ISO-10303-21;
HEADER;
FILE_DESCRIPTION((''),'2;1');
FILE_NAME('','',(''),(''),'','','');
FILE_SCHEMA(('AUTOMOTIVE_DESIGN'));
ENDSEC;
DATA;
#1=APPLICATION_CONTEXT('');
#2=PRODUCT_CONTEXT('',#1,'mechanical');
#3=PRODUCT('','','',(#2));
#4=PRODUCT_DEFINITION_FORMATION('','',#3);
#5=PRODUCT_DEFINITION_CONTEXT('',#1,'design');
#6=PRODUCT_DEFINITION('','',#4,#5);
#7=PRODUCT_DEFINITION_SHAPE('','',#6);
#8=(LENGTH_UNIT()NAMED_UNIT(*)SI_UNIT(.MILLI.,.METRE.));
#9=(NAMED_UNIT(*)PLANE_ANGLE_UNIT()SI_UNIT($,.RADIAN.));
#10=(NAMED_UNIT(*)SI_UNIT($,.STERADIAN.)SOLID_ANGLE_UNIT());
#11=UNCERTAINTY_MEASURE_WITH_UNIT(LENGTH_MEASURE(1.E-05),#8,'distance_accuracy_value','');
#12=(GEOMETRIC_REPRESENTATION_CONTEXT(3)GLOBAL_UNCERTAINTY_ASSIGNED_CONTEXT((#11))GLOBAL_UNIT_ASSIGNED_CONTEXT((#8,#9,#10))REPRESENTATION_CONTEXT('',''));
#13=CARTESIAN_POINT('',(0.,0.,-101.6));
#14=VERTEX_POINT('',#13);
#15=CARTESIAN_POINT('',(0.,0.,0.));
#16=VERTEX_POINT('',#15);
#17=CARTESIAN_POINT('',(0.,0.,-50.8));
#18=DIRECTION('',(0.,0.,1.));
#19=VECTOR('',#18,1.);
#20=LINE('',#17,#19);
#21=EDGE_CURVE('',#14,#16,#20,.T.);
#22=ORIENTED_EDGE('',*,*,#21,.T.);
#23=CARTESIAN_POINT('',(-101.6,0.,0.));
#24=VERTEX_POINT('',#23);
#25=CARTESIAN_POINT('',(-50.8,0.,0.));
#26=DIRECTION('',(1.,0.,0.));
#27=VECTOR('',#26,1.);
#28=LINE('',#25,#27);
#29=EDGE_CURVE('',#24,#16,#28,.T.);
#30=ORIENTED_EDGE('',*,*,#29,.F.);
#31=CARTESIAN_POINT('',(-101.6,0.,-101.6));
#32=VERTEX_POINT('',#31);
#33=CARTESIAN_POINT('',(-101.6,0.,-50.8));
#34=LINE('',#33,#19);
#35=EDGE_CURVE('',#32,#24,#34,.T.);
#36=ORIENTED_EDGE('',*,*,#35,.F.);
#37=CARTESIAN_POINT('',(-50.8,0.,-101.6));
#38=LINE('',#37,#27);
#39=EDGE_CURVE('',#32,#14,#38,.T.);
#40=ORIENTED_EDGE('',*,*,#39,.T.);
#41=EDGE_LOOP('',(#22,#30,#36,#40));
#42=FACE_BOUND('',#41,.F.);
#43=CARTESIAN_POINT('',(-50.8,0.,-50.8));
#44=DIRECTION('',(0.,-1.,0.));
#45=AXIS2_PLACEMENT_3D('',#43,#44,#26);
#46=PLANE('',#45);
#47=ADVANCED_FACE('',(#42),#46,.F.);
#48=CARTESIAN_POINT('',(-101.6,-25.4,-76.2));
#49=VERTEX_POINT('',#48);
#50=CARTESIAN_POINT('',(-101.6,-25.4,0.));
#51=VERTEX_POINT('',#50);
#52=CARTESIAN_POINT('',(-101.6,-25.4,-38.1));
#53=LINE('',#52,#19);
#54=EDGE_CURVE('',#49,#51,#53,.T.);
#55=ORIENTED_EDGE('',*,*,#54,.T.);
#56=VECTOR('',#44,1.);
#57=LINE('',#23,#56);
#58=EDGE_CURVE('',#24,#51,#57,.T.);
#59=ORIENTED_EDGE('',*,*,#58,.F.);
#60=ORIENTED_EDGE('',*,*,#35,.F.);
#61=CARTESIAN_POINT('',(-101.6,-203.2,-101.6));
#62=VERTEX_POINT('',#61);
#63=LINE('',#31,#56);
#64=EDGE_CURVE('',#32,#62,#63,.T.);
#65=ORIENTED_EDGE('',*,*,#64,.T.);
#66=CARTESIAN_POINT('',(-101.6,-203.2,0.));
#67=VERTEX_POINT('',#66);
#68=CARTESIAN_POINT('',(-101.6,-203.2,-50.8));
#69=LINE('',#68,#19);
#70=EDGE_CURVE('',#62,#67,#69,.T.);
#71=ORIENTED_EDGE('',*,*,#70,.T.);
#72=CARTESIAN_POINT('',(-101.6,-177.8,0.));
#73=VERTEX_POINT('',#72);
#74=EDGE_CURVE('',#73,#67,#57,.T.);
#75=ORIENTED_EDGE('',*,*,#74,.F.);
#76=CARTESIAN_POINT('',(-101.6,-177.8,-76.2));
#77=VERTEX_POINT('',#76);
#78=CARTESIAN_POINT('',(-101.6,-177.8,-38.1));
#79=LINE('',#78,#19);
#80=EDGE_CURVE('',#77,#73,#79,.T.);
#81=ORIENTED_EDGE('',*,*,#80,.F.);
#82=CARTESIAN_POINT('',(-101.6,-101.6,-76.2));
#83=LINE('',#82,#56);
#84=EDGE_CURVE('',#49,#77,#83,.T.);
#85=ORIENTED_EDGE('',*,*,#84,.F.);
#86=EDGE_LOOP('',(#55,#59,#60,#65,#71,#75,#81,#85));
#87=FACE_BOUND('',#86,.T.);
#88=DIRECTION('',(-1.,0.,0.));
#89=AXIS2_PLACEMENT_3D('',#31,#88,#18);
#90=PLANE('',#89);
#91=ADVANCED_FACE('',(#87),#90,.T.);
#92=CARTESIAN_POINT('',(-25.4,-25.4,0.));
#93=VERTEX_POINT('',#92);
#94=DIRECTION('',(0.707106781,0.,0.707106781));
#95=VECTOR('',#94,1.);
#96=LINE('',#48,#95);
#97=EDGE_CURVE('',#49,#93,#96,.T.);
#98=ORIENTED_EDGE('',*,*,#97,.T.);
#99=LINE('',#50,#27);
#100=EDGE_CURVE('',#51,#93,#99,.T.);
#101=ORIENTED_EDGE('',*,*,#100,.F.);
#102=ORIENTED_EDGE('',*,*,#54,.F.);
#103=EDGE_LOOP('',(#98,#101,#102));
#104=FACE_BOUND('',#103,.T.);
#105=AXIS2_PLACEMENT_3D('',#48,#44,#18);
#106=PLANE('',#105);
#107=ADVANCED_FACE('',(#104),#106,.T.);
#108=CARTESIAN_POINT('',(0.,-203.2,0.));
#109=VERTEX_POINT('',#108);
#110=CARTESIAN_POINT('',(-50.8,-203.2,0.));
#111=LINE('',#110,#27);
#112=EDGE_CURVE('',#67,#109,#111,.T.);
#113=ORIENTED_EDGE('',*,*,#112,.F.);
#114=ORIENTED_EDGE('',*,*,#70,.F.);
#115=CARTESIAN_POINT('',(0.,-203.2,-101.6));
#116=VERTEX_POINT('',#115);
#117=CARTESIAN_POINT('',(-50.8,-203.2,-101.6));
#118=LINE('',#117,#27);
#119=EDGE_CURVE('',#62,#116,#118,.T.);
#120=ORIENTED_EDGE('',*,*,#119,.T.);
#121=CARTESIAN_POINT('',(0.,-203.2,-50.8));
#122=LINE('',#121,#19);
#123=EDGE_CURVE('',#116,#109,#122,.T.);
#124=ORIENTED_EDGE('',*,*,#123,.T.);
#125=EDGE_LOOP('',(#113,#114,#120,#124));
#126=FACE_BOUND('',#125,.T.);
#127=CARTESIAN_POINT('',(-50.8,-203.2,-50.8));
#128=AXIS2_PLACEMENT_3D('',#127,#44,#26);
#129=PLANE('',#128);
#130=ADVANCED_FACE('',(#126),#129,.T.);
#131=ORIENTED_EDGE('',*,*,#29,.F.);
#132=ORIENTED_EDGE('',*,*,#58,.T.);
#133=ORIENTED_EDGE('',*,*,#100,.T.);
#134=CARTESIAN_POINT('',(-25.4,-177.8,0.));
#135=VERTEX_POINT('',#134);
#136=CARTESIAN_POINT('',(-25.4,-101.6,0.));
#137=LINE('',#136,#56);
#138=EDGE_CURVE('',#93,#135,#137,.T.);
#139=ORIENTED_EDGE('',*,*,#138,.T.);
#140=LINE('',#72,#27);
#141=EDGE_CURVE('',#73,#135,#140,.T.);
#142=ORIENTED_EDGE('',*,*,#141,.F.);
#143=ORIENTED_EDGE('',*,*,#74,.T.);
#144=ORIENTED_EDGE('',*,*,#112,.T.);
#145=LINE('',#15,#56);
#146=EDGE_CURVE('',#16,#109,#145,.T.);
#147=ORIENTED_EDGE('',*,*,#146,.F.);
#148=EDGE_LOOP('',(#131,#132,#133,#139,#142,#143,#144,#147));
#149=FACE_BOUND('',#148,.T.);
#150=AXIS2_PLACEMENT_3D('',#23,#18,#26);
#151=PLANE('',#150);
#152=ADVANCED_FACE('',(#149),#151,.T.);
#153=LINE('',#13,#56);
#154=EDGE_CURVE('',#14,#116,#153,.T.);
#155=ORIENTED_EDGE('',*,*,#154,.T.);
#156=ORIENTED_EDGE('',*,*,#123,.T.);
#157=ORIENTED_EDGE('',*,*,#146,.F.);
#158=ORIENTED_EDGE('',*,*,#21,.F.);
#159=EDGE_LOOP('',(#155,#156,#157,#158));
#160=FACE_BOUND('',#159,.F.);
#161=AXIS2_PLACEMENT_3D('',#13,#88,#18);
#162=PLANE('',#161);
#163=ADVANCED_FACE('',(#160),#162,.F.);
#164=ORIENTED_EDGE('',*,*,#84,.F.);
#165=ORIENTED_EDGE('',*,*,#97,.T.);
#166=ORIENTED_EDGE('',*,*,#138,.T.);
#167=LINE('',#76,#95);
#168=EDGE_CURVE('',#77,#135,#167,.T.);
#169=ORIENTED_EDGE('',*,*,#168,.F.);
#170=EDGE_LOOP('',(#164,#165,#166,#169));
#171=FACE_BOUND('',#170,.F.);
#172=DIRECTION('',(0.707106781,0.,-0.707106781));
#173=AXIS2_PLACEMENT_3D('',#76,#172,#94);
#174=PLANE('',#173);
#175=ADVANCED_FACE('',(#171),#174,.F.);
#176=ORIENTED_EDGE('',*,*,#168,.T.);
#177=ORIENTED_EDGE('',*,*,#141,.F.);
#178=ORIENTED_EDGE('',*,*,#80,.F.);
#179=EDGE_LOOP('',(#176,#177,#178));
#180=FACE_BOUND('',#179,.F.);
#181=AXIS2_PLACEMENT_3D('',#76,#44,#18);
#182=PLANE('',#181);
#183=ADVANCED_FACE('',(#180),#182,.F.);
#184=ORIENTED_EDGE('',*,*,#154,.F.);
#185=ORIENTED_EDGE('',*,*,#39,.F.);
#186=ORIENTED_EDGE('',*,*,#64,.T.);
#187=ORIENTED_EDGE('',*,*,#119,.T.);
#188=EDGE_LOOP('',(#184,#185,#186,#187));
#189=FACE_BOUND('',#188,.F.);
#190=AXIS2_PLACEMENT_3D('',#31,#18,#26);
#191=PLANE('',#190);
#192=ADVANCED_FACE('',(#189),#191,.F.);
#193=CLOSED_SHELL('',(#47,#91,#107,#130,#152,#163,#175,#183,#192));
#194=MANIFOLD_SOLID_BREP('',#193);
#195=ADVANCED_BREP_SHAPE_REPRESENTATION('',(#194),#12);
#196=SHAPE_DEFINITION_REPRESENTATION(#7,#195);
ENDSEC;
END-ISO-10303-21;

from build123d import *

# Parameters (mm, degrees)
F0_W     = 101.6
F0_H     = 101.6
F1_DEPTH = 203.2
F2_W     = 152.4
F2_H     = 76.2
F3_DEPTH = 76.2
F5_DEPTH = 152.4


with BuildPart() as f1:
    # F0 (on Front) → F1 (new body)
    with BuildSketch(Plane.XZ):
        with Locations((-50.8, -50.8)):
            Rectangle(F0_W, F0_H)
    extrude(amount=F1_DEPTH)

    # F2 (on face) → F3 (cut)
    with BuildSketch(Plane(origin=(-101.6, 0, 0), x_dir=(0, -1, 0), z_dir=(-1, 0, 0))):
        with Locations((101.6, -38.1)):
            Rectangle(F2_W, F2_H)
    extrude(amount=-F3_DEPTH, mode=Mode.SUBTRACT)

    # F4 (on face) → F5 (join)
    with BuildSketch(Plane(origin=(0, -177.8, 0), x_dir=(-1, 0, 0), z_dir=(0, 1, 0))):
        Polygon((25.4, -76.2), (101.6, -76.2), (25.4, 0), align=None)
    extrude(amount=F5_DEPTH)


solid = f1.part
